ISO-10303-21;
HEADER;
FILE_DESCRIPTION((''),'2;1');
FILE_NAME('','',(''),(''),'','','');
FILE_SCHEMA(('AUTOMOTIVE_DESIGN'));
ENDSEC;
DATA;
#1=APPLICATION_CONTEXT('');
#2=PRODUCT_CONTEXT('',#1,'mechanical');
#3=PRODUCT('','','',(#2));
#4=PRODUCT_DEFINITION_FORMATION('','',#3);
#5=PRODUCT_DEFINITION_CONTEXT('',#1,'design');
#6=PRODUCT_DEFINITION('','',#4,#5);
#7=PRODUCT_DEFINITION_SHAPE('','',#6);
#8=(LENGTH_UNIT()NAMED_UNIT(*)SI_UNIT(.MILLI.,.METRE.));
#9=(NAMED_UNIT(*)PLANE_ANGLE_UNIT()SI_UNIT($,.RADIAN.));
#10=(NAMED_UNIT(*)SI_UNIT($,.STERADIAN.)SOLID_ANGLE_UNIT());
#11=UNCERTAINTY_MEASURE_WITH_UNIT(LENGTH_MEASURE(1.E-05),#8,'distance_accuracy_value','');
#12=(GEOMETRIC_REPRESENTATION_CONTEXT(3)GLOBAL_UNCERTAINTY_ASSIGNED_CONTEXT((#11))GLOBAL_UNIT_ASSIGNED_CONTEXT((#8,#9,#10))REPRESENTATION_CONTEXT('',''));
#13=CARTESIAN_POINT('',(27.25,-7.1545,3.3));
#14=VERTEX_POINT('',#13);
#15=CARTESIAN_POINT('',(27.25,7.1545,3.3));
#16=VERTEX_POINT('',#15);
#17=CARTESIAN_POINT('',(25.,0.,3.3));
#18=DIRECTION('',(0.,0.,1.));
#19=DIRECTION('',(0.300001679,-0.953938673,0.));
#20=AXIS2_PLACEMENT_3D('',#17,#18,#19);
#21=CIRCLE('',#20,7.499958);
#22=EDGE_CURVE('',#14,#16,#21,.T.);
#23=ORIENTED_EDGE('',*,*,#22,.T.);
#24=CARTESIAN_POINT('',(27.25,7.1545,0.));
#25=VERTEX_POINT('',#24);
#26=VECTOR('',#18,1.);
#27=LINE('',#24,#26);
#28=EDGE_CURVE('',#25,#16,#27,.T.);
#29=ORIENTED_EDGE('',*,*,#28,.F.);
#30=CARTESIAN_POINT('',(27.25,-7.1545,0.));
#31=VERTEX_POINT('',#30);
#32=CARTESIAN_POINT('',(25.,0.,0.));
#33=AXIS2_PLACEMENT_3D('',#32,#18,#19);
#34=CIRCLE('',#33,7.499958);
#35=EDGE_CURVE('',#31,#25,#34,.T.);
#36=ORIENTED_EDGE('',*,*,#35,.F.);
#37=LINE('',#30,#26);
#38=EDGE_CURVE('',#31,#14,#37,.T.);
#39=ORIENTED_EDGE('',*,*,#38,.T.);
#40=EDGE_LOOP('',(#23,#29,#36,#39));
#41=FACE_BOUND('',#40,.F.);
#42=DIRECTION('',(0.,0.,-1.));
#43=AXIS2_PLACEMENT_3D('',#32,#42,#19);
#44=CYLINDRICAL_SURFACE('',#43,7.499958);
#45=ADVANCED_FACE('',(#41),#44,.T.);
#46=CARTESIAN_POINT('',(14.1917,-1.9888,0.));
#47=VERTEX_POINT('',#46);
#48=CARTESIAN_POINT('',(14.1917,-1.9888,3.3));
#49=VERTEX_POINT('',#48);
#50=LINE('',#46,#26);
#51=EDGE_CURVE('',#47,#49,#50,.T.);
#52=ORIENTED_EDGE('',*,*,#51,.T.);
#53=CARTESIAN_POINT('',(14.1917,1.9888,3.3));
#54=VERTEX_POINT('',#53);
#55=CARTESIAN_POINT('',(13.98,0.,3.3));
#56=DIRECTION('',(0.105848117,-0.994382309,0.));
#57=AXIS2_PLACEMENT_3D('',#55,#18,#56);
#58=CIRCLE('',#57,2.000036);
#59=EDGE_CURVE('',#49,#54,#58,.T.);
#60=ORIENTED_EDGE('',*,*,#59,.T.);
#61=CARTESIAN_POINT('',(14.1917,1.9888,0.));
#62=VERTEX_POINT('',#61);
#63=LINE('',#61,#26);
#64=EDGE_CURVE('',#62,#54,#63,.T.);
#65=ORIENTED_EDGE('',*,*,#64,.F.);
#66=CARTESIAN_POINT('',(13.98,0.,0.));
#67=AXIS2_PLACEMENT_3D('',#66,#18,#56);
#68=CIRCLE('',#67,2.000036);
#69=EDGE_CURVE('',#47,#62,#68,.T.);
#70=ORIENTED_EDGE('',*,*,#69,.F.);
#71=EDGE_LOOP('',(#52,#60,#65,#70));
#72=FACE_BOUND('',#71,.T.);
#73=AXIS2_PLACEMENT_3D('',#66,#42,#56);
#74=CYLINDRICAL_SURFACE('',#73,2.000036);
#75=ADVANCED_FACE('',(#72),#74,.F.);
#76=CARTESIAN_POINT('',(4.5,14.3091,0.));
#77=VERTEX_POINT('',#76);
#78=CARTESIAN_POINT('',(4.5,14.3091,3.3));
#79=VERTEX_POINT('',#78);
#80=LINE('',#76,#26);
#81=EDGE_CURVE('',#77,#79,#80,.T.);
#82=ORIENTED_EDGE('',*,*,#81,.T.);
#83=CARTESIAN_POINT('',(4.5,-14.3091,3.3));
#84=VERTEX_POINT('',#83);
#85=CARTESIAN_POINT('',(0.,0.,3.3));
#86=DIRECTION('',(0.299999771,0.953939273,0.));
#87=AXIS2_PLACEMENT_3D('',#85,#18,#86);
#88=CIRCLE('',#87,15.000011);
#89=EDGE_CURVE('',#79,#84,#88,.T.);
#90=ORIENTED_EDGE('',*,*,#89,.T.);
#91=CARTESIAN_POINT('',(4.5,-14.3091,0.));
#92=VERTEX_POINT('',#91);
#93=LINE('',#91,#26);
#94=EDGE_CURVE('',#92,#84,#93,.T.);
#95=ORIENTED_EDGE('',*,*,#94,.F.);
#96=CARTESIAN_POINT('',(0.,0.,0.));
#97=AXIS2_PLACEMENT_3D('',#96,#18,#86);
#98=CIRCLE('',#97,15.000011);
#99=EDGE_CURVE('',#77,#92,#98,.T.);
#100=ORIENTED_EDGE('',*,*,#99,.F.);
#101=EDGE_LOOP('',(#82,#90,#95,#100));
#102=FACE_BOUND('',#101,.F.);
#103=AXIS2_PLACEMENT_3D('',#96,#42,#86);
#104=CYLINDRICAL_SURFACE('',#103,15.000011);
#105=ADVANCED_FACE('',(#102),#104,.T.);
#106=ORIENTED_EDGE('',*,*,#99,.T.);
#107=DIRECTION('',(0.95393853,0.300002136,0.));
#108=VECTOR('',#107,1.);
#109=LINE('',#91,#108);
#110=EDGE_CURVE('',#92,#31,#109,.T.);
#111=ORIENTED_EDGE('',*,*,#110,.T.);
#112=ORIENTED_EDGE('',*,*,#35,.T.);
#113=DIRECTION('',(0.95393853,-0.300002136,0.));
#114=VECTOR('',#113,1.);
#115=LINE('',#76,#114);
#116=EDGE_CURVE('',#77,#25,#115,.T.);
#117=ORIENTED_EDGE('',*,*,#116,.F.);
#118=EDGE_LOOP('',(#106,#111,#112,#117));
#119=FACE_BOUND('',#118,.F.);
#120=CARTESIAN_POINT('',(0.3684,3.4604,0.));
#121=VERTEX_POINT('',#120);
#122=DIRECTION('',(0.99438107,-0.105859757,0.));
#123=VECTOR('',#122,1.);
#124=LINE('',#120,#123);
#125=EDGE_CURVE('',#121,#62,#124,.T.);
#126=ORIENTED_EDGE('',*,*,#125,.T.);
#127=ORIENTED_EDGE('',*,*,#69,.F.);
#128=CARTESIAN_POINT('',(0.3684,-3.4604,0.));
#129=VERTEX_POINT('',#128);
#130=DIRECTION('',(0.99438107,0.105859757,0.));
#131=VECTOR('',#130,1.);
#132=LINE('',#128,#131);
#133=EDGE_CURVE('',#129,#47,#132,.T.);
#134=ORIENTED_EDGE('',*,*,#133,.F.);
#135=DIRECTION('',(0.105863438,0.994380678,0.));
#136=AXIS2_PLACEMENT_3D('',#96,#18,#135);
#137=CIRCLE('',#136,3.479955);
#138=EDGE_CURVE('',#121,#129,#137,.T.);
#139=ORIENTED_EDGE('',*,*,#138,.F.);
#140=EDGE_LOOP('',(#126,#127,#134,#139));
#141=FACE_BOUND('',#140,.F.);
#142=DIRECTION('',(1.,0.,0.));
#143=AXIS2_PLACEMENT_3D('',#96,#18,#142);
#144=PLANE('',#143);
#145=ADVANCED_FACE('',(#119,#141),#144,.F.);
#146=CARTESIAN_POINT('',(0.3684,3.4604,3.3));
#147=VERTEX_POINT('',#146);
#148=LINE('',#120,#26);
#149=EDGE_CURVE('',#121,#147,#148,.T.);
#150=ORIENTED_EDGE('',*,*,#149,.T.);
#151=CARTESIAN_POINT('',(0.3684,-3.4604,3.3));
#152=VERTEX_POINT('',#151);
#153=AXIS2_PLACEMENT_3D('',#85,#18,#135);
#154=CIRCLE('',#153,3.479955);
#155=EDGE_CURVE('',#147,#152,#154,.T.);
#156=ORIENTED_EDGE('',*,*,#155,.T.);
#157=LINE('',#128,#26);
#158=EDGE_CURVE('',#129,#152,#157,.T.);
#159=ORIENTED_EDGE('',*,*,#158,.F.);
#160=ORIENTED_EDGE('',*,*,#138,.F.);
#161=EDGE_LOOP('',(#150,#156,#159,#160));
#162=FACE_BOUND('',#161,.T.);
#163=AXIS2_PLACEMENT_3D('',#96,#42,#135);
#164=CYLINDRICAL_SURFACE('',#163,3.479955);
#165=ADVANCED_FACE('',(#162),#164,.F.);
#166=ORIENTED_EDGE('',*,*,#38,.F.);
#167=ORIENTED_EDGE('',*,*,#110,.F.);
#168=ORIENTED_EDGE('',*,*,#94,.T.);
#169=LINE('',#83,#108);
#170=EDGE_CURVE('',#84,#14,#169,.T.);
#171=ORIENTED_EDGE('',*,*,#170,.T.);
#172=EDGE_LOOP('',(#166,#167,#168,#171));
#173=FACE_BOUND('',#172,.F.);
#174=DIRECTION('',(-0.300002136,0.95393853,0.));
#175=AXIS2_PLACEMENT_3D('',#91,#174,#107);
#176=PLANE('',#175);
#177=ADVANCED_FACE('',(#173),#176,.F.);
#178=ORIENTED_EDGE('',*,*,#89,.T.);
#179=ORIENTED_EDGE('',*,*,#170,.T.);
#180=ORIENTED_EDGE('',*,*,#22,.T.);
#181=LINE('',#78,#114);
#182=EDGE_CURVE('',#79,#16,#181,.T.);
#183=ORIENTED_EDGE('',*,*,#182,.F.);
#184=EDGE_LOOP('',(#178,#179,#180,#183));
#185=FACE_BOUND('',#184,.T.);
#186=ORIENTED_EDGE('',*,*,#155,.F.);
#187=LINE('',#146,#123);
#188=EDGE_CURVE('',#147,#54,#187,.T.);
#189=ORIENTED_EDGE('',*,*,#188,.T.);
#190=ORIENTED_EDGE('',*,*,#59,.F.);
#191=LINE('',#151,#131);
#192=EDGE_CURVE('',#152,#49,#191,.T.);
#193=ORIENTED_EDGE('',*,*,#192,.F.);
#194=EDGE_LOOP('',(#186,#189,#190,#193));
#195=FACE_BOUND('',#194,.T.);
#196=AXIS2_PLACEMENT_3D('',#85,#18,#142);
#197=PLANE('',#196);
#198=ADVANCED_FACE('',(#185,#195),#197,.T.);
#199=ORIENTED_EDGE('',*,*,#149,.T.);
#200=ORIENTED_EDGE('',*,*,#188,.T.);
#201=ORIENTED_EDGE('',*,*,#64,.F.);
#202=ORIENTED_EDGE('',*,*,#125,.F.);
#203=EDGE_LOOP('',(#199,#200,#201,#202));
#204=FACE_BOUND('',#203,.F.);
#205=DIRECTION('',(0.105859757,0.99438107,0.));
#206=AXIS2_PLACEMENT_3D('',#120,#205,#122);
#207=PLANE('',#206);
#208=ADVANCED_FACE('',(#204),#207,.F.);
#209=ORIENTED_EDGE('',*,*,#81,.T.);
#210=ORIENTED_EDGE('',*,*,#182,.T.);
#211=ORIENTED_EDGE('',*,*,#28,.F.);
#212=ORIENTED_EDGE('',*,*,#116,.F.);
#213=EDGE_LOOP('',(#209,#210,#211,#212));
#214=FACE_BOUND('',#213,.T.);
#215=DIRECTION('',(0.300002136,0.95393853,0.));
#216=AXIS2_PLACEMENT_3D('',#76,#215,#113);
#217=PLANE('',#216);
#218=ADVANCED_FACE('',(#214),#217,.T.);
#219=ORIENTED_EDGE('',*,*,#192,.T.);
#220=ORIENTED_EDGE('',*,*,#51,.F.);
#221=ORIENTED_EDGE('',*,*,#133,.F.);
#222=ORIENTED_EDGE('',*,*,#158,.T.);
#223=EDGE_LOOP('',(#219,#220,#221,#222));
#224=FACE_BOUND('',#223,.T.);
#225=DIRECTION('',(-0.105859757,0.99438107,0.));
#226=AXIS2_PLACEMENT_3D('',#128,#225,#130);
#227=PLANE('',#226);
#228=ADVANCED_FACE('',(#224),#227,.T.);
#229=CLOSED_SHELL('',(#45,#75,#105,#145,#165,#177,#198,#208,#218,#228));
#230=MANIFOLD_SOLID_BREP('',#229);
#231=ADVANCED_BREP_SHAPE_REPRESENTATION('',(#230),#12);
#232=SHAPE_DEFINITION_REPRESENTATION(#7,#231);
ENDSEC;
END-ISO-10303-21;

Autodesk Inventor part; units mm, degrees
ref_plane "YZ Plane" through (0, 0, 0) normal (1, 0, 0) x (0, 1, 0)
ref_plane "XZ Plane" through (0, 0, 0) normal (0, 1, 0) x (-1, 0, 0)
ref_plane "XY Plane" through (0, 0, 0) normal (0, 0, 1) x (1, 0, 0)
sketch "Sketch1" plane through (0, 0, 0) normal (0, 0, 1) x (1, 0, 0)
  line L0 (0.3684, -3.4604) -> (14.1917, -1.9888)
  arc A0 (0.3684, 3.4604) -> (0.3684, -3.4604) centre (0, 0) ccw
  line L1 (0.3684, 3.4604) -> (14.1917, 1.9888)
  arc A1 (14.1917, -1.9888) -> (14.1917, 1.9888) centre (13.98, 0) ccw
  line L2 (4.5, -14.3091) -> (27.25, -7.1545)
  line L3 (4.5, 14.3091) -> (27.25, 7.1545)
  arc A2 (27.25, -7.1545) -> (27.25, 7.1545) centre (25, 0) ccw
  arc A3 (4.5, 14.3091) -> (4.5, -14.3091) centre (0, 0) ccw
  dimension "d13" = 3.48
  dimension "d14" = 2
  dimension "d15" = 19.46
  dimension "d17" = 15
  dimension "d18" = 7.5
  dimension "d19" = 25
extrude "Extrusion2" add sketch "Sketch1" along normal blind 3.3
equation "\"d17\" = radio_muslo"
equation "\"d18\" = 0.5 * radio_muslo"
equation "\"radio_muslo\" = 15"
properties part number "Pata - Soporte Antebrazo"
